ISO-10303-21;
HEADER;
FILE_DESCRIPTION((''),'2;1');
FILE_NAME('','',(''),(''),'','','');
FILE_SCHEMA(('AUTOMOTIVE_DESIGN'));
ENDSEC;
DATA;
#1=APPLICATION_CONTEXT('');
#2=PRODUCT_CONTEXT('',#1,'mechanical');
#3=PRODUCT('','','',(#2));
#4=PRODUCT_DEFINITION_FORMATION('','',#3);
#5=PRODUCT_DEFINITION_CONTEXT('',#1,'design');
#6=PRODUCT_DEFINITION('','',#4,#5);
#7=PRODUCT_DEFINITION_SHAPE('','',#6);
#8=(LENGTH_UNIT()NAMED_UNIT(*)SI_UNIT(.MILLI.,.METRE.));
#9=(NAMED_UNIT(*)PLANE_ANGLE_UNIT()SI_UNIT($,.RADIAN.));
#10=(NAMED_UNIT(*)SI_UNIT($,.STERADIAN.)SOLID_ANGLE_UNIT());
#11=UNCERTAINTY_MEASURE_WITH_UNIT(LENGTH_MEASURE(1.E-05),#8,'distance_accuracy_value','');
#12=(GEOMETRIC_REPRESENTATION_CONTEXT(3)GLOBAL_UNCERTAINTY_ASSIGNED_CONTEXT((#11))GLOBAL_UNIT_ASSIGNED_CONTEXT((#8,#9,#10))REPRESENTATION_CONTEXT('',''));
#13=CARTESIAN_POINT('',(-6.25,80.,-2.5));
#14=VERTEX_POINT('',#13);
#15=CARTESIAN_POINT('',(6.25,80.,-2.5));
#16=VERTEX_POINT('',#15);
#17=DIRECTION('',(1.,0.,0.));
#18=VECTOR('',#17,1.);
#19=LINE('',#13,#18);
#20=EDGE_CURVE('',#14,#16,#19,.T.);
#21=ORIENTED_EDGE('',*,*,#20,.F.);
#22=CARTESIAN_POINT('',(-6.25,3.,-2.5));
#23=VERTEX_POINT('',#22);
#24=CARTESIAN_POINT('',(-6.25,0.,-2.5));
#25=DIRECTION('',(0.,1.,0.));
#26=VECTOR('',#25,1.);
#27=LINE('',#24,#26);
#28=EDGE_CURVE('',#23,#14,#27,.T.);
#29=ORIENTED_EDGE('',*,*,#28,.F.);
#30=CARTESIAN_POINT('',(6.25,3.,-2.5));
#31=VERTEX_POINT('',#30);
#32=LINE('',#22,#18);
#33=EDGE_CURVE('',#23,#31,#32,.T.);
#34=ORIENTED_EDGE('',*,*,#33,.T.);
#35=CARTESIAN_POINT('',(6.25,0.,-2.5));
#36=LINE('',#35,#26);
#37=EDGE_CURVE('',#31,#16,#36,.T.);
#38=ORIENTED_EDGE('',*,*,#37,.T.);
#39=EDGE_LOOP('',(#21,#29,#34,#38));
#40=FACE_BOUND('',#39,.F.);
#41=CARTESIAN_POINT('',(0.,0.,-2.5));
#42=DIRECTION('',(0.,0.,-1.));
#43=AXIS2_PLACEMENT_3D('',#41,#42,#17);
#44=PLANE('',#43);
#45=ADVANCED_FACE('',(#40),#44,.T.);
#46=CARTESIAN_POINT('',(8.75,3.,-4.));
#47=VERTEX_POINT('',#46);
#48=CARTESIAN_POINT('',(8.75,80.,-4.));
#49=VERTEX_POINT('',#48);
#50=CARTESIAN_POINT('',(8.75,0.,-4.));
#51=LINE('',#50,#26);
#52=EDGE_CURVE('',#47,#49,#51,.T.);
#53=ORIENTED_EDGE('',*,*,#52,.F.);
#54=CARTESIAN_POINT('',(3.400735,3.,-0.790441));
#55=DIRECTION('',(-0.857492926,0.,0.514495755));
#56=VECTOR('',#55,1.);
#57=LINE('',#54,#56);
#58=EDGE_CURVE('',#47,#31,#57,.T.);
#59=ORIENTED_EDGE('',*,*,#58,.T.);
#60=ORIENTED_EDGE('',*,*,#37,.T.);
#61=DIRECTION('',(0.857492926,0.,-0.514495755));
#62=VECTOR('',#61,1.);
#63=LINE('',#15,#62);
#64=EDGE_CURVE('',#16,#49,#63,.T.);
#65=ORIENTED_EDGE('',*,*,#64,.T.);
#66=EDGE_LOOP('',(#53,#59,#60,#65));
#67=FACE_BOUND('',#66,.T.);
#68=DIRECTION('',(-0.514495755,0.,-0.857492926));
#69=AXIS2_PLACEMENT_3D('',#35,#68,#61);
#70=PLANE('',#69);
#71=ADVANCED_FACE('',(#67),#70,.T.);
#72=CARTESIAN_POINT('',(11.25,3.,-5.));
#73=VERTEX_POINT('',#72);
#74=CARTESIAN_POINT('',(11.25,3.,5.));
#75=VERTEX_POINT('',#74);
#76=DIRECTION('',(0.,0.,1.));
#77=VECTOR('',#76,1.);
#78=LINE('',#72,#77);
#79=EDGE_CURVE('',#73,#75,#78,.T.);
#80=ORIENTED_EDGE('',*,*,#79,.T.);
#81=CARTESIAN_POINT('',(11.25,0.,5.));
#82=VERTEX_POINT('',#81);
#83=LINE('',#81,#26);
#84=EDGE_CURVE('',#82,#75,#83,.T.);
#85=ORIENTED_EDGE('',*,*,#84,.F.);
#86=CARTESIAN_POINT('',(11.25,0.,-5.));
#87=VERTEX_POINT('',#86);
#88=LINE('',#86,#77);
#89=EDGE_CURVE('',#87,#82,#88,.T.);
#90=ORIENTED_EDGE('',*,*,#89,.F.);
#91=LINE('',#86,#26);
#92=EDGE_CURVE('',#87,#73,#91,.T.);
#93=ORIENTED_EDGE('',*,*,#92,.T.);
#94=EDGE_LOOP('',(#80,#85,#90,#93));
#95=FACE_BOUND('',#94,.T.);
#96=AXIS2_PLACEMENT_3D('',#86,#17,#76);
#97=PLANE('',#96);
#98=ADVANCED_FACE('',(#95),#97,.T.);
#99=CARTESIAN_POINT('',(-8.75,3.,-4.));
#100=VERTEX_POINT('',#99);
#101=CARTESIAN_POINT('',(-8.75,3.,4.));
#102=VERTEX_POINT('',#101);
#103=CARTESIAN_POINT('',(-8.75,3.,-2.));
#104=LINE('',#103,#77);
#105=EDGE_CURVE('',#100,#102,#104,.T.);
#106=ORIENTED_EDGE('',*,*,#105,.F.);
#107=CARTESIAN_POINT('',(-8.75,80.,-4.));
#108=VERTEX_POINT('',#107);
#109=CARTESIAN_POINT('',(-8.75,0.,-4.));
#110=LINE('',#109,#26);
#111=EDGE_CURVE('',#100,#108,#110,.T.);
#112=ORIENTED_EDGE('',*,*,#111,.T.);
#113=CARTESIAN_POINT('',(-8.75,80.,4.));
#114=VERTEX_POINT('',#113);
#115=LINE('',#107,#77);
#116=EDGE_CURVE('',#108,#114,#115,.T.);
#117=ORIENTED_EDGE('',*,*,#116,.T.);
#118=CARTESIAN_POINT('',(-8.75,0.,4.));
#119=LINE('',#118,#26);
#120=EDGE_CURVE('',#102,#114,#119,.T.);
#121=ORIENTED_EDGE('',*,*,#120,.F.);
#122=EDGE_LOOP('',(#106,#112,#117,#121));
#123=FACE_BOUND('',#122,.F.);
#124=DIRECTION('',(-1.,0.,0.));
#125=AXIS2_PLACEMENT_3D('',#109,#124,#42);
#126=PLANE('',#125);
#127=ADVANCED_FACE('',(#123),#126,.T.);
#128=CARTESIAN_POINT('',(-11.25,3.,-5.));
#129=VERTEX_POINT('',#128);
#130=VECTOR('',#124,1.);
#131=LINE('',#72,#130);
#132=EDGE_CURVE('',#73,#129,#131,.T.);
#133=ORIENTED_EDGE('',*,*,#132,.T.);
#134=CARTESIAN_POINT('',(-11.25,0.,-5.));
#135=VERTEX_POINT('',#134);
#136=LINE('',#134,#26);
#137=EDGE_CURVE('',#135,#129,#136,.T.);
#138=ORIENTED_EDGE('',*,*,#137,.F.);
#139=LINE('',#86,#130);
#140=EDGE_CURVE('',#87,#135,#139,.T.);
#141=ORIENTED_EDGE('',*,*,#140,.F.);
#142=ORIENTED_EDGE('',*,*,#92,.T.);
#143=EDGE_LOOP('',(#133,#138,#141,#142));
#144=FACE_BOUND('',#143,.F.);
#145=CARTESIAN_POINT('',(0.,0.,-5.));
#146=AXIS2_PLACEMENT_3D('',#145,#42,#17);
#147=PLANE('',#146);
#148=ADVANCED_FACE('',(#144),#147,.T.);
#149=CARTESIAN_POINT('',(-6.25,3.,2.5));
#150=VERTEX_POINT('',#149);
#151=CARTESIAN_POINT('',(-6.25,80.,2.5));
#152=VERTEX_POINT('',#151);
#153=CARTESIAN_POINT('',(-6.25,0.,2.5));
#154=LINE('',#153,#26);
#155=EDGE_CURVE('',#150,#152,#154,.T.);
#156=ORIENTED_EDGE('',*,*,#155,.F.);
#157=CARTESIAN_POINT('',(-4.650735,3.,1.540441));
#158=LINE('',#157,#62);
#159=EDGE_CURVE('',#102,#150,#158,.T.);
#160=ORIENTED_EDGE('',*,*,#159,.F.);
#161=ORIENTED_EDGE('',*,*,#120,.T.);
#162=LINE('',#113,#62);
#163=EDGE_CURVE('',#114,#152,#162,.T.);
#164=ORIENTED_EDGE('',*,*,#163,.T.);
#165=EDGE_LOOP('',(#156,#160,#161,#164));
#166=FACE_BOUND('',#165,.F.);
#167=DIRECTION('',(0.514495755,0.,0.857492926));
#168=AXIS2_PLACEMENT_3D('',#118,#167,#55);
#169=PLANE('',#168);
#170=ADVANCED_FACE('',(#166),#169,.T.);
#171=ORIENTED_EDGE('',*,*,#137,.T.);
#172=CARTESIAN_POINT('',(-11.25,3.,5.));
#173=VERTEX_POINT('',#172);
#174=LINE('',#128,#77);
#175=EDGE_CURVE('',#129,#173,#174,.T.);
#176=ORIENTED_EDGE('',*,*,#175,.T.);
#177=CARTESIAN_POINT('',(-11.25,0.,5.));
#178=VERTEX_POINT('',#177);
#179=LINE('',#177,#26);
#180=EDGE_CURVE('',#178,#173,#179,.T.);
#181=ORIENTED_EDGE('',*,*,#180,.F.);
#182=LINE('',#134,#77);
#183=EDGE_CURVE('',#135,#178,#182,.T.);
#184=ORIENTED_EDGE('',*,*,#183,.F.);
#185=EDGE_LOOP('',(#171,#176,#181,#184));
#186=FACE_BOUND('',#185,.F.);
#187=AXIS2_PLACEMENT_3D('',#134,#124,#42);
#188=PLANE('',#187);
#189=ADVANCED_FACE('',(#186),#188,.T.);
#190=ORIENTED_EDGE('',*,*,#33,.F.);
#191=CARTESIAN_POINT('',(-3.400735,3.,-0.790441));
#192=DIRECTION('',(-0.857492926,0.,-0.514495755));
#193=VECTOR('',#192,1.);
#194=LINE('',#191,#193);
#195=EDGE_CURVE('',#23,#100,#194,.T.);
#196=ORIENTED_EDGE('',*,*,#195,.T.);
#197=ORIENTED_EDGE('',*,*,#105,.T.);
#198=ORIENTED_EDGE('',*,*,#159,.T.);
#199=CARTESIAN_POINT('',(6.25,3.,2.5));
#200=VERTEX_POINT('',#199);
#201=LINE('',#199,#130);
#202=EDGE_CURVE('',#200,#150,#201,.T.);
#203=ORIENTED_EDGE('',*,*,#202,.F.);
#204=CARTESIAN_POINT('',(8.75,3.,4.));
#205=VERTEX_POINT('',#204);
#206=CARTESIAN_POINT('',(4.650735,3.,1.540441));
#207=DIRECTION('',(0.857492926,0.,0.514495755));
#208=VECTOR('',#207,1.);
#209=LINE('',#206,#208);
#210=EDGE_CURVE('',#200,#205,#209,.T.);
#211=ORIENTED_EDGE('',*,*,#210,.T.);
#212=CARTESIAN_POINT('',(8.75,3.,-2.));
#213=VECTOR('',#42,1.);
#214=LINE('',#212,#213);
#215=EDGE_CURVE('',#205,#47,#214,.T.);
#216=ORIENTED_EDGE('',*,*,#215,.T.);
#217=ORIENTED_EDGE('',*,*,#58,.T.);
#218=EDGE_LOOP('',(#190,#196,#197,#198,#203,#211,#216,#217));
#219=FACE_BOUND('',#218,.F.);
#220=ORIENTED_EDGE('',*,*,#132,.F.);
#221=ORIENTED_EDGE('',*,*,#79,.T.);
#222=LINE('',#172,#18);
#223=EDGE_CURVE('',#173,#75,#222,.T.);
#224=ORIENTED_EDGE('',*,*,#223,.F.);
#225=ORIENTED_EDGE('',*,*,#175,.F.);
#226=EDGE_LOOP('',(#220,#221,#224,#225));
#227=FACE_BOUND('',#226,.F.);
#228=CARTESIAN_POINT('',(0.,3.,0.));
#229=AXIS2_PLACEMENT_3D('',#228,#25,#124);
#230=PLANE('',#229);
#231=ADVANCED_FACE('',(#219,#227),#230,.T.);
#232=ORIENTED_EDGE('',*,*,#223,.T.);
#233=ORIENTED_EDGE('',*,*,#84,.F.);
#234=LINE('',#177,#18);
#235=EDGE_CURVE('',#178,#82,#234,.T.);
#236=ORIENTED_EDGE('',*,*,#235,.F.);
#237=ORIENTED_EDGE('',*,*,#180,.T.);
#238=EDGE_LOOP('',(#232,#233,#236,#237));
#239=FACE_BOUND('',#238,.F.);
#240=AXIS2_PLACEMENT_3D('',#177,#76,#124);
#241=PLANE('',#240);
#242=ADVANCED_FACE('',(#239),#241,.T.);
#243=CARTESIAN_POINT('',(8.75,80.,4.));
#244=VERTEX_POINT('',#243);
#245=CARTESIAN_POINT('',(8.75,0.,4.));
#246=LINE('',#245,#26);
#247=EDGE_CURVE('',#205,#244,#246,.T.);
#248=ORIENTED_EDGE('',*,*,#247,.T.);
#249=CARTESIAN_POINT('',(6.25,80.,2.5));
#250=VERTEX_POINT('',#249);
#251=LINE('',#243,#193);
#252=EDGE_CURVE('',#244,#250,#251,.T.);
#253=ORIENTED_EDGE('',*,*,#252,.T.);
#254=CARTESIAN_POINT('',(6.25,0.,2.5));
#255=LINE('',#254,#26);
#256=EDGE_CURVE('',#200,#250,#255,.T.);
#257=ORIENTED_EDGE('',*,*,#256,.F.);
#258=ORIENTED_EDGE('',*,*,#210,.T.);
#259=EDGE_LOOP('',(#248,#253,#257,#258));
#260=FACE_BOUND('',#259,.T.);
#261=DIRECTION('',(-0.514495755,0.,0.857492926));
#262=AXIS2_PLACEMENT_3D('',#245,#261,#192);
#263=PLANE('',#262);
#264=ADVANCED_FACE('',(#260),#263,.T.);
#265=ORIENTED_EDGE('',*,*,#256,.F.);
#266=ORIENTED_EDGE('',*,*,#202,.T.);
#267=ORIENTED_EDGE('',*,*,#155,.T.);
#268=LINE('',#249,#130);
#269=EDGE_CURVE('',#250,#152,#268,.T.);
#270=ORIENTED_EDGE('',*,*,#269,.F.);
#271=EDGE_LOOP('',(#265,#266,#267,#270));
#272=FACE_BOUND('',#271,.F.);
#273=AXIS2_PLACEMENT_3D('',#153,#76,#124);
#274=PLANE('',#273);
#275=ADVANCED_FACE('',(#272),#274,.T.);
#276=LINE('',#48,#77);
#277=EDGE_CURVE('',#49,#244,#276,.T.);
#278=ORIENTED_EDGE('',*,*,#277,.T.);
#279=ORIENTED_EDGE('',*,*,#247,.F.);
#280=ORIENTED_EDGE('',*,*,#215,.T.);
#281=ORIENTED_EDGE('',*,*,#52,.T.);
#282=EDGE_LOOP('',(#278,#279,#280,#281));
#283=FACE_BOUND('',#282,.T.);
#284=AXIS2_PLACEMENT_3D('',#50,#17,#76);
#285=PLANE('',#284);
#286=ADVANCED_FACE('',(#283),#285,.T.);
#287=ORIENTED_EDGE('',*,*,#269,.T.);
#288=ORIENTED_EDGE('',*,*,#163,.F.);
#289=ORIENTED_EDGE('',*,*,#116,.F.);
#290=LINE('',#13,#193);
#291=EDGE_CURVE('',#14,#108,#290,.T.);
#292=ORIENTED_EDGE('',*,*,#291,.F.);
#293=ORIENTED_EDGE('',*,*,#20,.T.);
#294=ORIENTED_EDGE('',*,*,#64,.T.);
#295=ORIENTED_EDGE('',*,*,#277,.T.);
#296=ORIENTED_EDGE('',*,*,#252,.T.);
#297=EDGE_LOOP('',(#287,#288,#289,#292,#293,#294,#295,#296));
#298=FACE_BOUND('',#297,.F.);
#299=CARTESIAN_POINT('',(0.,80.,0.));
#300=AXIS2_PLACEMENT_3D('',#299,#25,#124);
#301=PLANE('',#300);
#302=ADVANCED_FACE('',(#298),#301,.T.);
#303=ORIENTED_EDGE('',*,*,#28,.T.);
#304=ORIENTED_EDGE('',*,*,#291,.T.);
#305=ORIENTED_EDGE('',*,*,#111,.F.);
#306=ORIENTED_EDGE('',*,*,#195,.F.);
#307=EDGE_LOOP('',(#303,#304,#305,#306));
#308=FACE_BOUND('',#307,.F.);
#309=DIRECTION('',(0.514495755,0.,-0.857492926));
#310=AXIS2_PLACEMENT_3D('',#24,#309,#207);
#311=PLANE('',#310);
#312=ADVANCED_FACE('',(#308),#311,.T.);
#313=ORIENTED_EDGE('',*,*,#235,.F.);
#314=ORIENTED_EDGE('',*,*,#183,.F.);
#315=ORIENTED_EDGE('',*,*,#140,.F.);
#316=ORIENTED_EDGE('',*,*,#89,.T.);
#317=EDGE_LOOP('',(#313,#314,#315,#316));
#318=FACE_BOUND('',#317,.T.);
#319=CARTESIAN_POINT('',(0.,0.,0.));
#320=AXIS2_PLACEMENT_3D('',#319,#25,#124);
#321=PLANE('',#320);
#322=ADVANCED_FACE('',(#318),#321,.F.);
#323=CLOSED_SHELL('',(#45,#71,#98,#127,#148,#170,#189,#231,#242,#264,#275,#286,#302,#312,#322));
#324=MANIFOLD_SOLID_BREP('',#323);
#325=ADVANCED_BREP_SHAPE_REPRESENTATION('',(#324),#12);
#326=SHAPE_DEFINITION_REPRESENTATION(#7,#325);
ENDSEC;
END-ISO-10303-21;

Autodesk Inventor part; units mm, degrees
ref_plane "YZ Plane" through (0, 0, 0) normal (1, 0, 0) x (0, 1, 0)
ref_plane "XZ Plane" through (0, 0, 0) normal (0, 1, 0) x (-1, 0, 0)
ref_plane "XY Plane" through (0, 0, 0) normal (0, 0, 1) x (1, 0, 0)
sketch "Sketch1" plane through (0, 0, 0) normal (0, 1, 0) x (-1, 0, 0)
  line L0 (0, -2.5) -> (-6.25, -2.5)
  line L1 (-6.25, -2.5) -> (-8.75, -4)
  line L2 (-8.75, -4) -> (-8.75, 4)
  line L3 (-8.75, 4) -> (-6.25, 2.5)
  line L4 (-6.25, 2.5) -> (0, 2.5)
  line L5 (0, 2.5) -> (0, -2.5)
  line L6 (0, -5) -> (-11.25, -5)
  line L7 (-11.25, -5) -> (-11.25, 5)
  line L8 (-11.25, 5) -> (0, 5)
  line L9 (0, 5) -> (0, -5)
  point P0 (-8.75, 0)
  point P1 (0, 0)
  point P2 (0, 0)
  point P3 (0, 2.5)
  dimension "d16" = 5
  dimension "d17" = 2.5
  dimension "d18" = 8
  dimension "d19" = 8.75
  dimension "d20" = 11.25
  dimension "d21" = 5
  dimension "d22" = 5
extrude "Extrusion1" add sketch "Sketch1" along normal blind 3
extrude "Extrusion2" add sketch "Sketch1" along normal blind 80 contours L0 L1 L2 L3 L4 L5
mirror "Mirror1" about plane through (0, 0, -5) normal (-1, 0, 0) of "Extrusion1", "Extrusion2"
properties part number "drawerconnector"
